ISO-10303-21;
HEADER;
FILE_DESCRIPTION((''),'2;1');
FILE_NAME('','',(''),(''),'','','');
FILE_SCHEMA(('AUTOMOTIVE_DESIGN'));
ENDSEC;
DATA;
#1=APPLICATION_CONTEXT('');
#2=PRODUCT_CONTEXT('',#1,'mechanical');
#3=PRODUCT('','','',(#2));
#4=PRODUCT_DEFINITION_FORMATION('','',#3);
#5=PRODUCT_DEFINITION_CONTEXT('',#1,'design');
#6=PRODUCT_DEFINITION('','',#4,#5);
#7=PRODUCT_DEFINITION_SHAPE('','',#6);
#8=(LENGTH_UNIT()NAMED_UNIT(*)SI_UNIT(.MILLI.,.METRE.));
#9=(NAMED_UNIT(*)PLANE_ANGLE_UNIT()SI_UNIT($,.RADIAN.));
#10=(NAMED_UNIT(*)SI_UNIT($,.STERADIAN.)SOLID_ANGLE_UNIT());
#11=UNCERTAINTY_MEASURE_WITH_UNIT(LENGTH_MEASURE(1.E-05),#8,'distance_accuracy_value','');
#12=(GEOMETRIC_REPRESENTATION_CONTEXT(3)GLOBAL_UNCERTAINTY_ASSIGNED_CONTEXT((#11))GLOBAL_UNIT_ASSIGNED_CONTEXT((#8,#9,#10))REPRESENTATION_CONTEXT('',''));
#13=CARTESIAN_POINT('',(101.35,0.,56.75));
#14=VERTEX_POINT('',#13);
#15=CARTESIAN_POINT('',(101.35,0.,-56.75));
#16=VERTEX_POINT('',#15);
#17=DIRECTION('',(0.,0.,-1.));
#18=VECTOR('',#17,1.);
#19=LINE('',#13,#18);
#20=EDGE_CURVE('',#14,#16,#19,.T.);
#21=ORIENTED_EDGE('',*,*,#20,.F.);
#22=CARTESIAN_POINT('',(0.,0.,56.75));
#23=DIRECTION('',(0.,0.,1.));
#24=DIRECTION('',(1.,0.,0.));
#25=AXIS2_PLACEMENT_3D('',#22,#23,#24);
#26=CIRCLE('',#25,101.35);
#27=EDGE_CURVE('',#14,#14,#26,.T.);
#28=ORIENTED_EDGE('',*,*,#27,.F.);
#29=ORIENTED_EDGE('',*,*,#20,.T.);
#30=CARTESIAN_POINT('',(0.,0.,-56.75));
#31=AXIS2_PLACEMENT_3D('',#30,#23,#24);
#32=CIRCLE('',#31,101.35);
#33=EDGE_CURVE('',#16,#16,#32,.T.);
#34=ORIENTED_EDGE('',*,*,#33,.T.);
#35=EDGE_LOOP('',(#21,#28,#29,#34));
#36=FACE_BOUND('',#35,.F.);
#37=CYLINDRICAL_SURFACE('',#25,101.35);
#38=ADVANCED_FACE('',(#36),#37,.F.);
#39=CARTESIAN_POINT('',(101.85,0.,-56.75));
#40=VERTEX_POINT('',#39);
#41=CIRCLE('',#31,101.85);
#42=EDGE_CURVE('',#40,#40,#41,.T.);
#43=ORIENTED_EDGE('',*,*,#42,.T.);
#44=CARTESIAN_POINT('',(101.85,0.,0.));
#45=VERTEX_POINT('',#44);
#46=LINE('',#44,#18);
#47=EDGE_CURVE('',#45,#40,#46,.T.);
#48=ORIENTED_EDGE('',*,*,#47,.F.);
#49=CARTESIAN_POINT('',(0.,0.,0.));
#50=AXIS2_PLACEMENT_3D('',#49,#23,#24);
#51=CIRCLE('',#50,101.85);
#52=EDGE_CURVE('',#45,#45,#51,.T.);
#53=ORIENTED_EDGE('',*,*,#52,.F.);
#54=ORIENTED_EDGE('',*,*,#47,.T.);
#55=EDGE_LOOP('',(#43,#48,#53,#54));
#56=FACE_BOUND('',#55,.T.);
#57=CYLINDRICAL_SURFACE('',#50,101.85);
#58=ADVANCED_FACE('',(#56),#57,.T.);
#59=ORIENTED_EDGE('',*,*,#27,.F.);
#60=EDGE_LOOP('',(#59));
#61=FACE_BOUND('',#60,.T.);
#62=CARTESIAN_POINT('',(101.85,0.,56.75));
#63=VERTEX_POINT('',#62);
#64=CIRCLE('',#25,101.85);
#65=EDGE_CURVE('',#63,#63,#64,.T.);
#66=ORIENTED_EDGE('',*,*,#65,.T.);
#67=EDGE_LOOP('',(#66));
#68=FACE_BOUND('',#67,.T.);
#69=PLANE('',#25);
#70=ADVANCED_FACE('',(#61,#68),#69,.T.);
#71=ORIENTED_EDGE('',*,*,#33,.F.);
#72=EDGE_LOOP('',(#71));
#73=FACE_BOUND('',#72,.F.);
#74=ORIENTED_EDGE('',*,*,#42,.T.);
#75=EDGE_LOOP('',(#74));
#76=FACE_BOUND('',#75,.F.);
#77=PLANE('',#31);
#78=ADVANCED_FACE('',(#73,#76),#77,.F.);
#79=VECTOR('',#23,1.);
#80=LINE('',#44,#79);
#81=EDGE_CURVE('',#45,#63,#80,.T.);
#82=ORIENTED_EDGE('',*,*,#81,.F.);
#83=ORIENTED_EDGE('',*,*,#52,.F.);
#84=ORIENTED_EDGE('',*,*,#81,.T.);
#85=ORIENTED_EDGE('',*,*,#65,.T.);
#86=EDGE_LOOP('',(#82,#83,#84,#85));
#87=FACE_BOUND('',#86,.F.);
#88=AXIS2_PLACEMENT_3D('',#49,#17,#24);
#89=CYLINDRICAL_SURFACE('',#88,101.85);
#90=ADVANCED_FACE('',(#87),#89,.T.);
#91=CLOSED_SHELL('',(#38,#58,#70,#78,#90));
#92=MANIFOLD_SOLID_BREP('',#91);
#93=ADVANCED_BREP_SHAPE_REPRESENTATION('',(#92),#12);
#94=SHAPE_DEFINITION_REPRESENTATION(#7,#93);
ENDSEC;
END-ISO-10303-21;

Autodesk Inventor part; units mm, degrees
ref_plane "YZ Plane" through (0, 0, 0) normal (1, 0, 0) x (0, 1, 0)
ref_plane "XZ Plane" through (0, 0, 0) normal (0, 1, 0) x (-1, 0, 0)
ref_plane "XY Plane" through (0, 0, 0) normal (0, 0, 1) x (1, 0, 0)
sketch "Sketch1" plane through (0, 0, 0) normal (0, 0, 1) x (1, 0, 0)
  circle A0 centre (0, 0) radius 101.85
  dimension "d0" = 203.7
extrude "Extrusion1" add sketch "Sketch1" along normal mid plane 113.5
sketch "Sketch2" plane through (0, 0, 56.75) normal (0, 0, 1) x (1, 0, 0)
  circle A0 centre (0, 0) radius 101.35
  dimension "d3" = 202.7
extrude "Extrusion2" cut sketch "Sketch2" against normal through all
properties part number "ALPHA-II-CT_12"
